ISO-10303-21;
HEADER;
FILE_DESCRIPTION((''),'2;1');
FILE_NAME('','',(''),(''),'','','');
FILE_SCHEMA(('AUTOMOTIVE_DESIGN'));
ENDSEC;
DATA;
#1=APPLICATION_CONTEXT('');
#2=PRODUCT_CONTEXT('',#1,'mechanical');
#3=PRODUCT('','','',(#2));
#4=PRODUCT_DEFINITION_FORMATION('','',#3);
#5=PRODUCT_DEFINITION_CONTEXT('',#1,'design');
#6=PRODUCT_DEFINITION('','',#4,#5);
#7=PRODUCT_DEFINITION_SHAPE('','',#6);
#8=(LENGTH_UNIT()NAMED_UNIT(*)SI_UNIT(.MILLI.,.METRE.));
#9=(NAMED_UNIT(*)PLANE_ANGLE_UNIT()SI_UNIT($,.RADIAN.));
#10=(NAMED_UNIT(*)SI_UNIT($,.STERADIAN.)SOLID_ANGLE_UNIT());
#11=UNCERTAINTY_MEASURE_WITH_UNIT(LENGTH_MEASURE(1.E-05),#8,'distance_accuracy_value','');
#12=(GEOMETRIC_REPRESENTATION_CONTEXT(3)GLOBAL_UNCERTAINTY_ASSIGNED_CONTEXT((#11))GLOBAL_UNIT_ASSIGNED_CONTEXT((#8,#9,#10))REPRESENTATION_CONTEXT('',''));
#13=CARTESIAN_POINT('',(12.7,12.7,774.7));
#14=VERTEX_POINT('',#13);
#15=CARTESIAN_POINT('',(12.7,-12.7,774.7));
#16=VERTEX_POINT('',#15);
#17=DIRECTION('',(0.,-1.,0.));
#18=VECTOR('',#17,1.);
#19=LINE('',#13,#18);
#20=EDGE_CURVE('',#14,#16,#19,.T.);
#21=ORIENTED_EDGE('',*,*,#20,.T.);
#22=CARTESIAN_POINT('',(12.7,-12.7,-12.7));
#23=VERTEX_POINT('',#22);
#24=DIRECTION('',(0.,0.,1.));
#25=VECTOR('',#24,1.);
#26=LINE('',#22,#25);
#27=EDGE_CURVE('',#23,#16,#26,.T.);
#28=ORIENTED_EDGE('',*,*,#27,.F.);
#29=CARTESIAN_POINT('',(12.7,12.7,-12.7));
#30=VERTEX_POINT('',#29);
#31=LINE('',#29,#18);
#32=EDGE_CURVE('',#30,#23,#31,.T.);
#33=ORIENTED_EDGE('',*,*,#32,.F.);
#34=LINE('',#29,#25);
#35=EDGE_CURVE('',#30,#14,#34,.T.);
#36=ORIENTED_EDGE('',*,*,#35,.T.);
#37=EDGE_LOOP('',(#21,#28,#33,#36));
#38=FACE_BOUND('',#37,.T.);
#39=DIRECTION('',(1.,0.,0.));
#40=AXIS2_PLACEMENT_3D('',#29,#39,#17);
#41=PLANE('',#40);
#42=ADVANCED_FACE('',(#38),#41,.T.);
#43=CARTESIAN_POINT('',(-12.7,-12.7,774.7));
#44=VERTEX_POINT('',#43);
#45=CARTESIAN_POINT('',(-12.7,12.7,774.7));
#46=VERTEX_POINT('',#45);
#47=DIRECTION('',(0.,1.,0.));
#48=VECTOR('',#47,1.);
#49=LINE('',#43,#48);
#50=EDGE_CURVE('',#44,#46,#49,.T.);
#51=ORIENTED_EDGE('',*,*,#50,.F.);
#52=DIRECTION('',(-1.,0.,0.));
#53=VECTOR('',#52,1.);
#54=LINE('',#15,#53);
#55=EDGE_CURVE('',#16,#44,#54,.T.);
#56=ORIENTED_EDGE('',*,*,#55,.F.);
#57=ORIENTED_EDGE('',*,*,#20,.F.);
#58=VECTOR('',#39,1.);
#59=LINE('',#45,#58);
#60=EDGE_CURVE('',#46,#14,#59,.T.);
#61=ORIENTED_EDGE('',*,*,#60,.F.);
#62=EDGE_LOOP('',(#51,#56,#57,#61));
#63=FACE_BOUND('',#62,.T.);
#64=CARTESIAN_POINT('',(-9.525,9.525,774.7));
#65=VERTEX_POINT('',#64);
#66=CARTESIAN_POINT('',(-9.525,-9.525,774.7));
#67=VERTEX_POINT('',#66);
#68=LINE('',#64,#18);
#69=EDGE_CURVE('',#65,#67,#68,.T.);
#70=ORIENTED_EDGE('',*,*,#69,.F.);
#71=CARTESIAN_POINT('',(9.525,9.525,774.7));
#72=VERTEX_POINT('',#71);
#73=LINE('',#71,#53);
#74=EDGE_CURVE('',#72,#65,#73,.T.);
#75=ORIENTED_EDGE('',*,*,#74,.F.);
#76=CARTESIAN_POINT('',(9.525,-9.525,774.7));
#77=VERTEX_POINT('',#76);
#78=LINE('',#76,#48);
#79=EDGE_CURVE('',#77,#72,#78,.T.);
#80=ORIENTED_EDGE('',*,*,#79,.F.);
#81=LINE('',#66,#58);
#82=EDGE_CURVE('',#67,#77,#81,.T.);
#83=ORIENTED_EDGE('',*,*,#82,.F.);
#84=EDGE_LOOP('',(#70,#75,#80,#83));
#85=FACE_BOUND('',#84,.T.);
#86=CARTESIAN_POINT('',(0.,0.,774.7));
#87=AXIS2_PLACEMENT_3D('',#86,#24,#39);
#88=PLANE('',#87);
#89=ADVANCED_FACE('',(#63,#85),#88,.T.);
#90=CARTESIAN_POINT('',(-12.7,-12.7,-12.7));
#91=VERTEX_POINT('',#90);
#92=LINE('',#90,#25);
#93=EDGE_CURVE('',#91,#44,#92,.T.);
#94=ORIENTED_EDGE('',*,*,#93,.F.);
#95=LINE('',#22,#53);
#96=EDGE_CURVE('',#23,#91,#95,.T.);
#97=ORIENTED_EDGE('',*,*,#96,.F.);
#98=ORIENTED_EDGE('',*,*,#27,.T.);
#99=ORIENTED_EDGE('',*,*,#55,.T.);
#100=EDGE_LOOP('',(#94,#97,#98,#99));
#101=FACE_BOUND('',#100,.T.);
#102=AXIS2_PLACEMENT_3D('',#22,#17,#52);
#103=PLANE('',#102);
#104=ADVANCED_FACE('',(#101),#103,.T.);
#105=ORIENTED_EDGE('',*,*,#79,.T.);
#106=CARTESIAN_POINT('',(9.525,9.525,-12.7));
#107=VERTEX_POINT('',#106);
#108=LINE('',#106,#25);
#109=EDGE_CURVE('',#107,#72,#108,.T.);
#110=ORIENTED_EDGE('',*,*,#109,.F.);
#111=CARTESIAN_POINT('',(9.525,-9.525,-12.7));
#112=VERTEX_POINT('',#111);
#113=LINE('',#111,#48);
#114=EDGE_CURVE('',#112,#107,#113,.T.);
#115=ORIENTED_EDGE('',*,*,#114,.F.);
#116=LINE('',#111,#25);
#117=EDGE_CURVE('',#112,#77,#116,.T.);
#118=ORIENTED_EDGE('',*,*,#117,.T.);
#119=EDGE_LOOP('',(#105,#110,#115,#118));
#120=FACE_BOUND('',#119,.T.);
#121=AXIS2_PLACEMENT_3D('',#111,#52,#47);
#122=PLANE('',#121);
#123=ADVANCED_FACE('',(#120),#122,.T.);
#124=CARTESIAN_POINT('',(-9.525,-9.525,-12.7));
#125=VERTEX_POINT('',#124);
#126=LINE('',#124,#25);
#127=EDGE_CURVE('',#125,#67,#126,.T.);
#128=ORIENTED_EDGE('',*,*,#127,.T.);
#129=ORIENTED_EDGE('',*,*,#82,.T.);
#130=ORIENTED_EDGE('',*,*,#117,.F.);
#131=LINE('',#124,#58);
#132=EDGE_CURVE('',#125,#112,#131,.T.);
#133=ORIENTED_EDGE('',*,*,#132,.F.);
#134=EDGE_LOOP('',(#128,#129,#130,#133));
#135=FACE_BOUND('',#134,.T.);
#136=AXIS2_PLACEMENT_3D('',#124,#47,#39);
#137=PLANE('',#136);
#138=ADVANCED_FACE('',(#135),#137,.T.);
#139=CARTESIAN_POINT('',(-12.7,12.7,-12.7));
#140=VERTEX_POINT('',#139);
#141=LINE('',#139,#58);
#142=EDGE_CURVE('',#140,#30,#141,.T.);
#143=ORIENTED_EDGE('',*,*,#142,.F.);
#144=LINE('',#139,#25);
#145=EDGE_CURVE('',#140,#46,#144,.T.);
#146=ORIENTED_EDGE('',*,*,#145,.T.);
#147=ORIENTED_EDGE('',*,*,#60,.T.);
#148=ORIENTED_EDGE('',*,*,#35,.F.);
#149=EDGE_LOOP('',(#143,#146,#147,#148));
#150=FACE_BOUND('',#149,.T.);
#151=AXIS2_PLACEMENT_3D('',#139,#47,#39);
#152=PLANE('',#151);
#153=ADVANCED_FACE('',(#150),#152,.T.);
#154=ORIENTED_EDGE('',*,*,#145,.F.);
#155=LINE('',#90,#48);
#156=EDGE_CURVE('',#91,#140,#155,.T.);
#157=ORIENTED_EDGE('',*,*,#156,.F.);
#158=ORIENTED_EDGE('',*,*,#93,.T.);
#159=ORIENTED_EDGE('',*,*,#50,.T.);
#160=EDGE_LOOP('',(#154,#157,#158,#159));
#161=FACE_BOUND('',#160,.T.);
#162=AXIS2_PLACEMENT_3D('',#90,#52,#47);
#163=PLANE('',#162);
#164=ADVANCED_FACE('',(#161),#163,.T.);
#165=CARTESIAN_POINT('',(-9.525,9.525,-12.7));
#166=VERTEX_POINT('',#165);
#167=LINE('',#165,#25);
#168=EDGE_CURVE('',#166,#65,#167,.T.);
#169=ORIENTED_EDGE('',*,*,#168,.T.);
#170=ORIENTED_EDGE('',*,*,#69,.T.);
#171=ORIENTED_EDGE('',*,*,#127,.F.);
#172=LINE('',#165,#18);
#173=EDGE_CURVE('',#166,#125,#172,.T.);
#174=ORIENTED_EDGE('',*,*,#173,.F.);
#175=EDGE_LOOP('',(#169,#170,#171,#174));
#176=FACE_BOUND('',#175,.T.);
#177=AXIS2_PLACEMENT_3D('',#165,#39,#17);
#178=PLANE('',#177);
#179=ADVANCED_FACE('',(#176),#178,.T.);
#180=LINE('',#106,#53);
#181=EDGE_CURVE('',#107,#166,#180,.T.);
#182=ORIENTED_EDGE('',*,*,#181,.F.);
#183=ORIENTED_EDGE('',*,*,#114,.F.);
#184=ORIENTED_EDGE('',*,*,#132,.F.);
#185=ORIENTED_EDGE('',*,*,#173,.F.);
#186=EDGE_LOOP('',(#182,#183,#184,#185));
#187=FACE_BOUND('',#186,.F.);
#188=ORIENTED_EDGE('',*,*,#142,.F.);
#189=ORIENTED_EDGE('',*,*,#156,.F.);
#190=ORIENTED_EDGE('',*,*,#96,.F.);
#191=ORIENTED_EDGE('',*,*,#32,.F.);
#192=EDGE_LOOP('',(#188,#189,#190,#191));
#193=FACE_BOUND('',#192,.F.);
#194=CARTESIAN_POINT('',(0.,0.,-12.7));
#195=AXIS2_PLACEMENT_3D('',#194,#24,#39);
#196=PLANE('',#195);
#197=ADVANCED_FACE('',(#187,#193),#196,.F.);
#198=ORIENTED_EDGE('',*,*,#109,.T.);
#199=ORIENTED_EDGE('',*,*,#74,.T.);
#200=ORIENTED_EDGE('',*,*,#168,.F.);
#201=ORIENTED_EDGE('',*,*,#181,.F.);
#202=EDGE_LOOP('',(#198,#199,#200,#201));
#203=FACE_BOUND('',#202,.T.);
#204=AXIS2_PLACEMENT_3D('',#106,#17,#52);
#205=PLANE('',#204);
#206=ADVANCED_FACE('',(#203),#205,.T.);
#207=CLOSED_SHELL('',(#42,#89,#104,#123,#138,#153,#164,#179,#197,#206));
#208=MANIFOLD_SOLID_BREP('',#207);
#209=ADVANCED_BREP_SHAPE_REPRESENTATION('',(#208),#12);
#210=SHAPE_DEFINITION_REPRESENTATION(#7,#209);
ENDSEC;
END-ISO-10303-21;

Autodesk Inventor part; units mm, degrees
ref_plane "Start Plane" through (0, 0, -12.7) normal (0, 0, 1) x (1, 0, 0)
ref_plane "End Plane" through (0, 0, 774.7) normal (0, 0, 1) x (1, 0, 0)
sketch "Sketch" plane through (0, 0, 0) normal (0, 0, 1) x (1, 0, 0)
  line L0 (-12.7, 12.7) -> (12.7, 12.7)
  line L1 (12.7, 12.7) -> (12.7, -12.7)
  line L2 (12.7, -12.7) -> (-12.7, -12.7)
  line L3 (-12.7, -12.7) -> (-12.7, 12.7)
  line L4 (9.525, 9.525) -> (-9.525, 9.525)
  line L5 (-9.525, 9.525) -> (-9.525, -9.525)
  line L6 (-9.525, -9.525) -> (9.525, -9.525)
  line L7 (9.525, -9.525) -> (9.525, 9.525)
  point P0 (0, 0)
  point P1 (0, 12.7)
  point P2 (-12.7, 0)
  dimension "width" = 25.4
  dimension "d1" = 3.175
extrude "Body" add sketch "Sketch" along normal up to surface (787.4 mm away) from surface at -12.7
sketch "Sketch4" plane through (0, 0, 0) normal (0, 0, 1) x (1, 0, 0)
  line L0 (0, 0) -> (10, 0)
ref_plane "Work Plane4" through (0, 0, 0) normal (0, -1, 0) x (1, 0, 0)
sketch "Sketch5" plane through (0, 0, 0) normal (0, -1, 0) x (1, 0, 0)
  line L0 (-2, -12.7) -> (12, -12.7)
  line L1 (-2, 774.7) -> (12, 774.7)
  dimension "d9" = 787.4
ref_plane "Work Plane5" through (0, 12.7, -12.7) normal (0, 0, -1) x (-1, 0, 0)
split "Split1" plane through (0, 12.7, -12.7) removes the side toward (0, 0, -1)
ref_plane "Work Plane6" through (254, 12.7, 774.7) normal (0, 0, 1) x (1, 0, 0)
split "Split2" plane through (254, 12.7, 774.7) removes the side toward (0, 0, 1)
equation "\"G_OFFSET_START\" = 12.7"
equation "\"G_OFFSET_END\" = 12.7"
equation "\"d4\" = -G_OFFSET_START"
equation "\"d5\" = length + G_OFFSET_END"
equation "\"G_L\" = 762"
equation "\"length\" = 762"
properties part number "Square Tube Profile" material "Aluminum-6061"
